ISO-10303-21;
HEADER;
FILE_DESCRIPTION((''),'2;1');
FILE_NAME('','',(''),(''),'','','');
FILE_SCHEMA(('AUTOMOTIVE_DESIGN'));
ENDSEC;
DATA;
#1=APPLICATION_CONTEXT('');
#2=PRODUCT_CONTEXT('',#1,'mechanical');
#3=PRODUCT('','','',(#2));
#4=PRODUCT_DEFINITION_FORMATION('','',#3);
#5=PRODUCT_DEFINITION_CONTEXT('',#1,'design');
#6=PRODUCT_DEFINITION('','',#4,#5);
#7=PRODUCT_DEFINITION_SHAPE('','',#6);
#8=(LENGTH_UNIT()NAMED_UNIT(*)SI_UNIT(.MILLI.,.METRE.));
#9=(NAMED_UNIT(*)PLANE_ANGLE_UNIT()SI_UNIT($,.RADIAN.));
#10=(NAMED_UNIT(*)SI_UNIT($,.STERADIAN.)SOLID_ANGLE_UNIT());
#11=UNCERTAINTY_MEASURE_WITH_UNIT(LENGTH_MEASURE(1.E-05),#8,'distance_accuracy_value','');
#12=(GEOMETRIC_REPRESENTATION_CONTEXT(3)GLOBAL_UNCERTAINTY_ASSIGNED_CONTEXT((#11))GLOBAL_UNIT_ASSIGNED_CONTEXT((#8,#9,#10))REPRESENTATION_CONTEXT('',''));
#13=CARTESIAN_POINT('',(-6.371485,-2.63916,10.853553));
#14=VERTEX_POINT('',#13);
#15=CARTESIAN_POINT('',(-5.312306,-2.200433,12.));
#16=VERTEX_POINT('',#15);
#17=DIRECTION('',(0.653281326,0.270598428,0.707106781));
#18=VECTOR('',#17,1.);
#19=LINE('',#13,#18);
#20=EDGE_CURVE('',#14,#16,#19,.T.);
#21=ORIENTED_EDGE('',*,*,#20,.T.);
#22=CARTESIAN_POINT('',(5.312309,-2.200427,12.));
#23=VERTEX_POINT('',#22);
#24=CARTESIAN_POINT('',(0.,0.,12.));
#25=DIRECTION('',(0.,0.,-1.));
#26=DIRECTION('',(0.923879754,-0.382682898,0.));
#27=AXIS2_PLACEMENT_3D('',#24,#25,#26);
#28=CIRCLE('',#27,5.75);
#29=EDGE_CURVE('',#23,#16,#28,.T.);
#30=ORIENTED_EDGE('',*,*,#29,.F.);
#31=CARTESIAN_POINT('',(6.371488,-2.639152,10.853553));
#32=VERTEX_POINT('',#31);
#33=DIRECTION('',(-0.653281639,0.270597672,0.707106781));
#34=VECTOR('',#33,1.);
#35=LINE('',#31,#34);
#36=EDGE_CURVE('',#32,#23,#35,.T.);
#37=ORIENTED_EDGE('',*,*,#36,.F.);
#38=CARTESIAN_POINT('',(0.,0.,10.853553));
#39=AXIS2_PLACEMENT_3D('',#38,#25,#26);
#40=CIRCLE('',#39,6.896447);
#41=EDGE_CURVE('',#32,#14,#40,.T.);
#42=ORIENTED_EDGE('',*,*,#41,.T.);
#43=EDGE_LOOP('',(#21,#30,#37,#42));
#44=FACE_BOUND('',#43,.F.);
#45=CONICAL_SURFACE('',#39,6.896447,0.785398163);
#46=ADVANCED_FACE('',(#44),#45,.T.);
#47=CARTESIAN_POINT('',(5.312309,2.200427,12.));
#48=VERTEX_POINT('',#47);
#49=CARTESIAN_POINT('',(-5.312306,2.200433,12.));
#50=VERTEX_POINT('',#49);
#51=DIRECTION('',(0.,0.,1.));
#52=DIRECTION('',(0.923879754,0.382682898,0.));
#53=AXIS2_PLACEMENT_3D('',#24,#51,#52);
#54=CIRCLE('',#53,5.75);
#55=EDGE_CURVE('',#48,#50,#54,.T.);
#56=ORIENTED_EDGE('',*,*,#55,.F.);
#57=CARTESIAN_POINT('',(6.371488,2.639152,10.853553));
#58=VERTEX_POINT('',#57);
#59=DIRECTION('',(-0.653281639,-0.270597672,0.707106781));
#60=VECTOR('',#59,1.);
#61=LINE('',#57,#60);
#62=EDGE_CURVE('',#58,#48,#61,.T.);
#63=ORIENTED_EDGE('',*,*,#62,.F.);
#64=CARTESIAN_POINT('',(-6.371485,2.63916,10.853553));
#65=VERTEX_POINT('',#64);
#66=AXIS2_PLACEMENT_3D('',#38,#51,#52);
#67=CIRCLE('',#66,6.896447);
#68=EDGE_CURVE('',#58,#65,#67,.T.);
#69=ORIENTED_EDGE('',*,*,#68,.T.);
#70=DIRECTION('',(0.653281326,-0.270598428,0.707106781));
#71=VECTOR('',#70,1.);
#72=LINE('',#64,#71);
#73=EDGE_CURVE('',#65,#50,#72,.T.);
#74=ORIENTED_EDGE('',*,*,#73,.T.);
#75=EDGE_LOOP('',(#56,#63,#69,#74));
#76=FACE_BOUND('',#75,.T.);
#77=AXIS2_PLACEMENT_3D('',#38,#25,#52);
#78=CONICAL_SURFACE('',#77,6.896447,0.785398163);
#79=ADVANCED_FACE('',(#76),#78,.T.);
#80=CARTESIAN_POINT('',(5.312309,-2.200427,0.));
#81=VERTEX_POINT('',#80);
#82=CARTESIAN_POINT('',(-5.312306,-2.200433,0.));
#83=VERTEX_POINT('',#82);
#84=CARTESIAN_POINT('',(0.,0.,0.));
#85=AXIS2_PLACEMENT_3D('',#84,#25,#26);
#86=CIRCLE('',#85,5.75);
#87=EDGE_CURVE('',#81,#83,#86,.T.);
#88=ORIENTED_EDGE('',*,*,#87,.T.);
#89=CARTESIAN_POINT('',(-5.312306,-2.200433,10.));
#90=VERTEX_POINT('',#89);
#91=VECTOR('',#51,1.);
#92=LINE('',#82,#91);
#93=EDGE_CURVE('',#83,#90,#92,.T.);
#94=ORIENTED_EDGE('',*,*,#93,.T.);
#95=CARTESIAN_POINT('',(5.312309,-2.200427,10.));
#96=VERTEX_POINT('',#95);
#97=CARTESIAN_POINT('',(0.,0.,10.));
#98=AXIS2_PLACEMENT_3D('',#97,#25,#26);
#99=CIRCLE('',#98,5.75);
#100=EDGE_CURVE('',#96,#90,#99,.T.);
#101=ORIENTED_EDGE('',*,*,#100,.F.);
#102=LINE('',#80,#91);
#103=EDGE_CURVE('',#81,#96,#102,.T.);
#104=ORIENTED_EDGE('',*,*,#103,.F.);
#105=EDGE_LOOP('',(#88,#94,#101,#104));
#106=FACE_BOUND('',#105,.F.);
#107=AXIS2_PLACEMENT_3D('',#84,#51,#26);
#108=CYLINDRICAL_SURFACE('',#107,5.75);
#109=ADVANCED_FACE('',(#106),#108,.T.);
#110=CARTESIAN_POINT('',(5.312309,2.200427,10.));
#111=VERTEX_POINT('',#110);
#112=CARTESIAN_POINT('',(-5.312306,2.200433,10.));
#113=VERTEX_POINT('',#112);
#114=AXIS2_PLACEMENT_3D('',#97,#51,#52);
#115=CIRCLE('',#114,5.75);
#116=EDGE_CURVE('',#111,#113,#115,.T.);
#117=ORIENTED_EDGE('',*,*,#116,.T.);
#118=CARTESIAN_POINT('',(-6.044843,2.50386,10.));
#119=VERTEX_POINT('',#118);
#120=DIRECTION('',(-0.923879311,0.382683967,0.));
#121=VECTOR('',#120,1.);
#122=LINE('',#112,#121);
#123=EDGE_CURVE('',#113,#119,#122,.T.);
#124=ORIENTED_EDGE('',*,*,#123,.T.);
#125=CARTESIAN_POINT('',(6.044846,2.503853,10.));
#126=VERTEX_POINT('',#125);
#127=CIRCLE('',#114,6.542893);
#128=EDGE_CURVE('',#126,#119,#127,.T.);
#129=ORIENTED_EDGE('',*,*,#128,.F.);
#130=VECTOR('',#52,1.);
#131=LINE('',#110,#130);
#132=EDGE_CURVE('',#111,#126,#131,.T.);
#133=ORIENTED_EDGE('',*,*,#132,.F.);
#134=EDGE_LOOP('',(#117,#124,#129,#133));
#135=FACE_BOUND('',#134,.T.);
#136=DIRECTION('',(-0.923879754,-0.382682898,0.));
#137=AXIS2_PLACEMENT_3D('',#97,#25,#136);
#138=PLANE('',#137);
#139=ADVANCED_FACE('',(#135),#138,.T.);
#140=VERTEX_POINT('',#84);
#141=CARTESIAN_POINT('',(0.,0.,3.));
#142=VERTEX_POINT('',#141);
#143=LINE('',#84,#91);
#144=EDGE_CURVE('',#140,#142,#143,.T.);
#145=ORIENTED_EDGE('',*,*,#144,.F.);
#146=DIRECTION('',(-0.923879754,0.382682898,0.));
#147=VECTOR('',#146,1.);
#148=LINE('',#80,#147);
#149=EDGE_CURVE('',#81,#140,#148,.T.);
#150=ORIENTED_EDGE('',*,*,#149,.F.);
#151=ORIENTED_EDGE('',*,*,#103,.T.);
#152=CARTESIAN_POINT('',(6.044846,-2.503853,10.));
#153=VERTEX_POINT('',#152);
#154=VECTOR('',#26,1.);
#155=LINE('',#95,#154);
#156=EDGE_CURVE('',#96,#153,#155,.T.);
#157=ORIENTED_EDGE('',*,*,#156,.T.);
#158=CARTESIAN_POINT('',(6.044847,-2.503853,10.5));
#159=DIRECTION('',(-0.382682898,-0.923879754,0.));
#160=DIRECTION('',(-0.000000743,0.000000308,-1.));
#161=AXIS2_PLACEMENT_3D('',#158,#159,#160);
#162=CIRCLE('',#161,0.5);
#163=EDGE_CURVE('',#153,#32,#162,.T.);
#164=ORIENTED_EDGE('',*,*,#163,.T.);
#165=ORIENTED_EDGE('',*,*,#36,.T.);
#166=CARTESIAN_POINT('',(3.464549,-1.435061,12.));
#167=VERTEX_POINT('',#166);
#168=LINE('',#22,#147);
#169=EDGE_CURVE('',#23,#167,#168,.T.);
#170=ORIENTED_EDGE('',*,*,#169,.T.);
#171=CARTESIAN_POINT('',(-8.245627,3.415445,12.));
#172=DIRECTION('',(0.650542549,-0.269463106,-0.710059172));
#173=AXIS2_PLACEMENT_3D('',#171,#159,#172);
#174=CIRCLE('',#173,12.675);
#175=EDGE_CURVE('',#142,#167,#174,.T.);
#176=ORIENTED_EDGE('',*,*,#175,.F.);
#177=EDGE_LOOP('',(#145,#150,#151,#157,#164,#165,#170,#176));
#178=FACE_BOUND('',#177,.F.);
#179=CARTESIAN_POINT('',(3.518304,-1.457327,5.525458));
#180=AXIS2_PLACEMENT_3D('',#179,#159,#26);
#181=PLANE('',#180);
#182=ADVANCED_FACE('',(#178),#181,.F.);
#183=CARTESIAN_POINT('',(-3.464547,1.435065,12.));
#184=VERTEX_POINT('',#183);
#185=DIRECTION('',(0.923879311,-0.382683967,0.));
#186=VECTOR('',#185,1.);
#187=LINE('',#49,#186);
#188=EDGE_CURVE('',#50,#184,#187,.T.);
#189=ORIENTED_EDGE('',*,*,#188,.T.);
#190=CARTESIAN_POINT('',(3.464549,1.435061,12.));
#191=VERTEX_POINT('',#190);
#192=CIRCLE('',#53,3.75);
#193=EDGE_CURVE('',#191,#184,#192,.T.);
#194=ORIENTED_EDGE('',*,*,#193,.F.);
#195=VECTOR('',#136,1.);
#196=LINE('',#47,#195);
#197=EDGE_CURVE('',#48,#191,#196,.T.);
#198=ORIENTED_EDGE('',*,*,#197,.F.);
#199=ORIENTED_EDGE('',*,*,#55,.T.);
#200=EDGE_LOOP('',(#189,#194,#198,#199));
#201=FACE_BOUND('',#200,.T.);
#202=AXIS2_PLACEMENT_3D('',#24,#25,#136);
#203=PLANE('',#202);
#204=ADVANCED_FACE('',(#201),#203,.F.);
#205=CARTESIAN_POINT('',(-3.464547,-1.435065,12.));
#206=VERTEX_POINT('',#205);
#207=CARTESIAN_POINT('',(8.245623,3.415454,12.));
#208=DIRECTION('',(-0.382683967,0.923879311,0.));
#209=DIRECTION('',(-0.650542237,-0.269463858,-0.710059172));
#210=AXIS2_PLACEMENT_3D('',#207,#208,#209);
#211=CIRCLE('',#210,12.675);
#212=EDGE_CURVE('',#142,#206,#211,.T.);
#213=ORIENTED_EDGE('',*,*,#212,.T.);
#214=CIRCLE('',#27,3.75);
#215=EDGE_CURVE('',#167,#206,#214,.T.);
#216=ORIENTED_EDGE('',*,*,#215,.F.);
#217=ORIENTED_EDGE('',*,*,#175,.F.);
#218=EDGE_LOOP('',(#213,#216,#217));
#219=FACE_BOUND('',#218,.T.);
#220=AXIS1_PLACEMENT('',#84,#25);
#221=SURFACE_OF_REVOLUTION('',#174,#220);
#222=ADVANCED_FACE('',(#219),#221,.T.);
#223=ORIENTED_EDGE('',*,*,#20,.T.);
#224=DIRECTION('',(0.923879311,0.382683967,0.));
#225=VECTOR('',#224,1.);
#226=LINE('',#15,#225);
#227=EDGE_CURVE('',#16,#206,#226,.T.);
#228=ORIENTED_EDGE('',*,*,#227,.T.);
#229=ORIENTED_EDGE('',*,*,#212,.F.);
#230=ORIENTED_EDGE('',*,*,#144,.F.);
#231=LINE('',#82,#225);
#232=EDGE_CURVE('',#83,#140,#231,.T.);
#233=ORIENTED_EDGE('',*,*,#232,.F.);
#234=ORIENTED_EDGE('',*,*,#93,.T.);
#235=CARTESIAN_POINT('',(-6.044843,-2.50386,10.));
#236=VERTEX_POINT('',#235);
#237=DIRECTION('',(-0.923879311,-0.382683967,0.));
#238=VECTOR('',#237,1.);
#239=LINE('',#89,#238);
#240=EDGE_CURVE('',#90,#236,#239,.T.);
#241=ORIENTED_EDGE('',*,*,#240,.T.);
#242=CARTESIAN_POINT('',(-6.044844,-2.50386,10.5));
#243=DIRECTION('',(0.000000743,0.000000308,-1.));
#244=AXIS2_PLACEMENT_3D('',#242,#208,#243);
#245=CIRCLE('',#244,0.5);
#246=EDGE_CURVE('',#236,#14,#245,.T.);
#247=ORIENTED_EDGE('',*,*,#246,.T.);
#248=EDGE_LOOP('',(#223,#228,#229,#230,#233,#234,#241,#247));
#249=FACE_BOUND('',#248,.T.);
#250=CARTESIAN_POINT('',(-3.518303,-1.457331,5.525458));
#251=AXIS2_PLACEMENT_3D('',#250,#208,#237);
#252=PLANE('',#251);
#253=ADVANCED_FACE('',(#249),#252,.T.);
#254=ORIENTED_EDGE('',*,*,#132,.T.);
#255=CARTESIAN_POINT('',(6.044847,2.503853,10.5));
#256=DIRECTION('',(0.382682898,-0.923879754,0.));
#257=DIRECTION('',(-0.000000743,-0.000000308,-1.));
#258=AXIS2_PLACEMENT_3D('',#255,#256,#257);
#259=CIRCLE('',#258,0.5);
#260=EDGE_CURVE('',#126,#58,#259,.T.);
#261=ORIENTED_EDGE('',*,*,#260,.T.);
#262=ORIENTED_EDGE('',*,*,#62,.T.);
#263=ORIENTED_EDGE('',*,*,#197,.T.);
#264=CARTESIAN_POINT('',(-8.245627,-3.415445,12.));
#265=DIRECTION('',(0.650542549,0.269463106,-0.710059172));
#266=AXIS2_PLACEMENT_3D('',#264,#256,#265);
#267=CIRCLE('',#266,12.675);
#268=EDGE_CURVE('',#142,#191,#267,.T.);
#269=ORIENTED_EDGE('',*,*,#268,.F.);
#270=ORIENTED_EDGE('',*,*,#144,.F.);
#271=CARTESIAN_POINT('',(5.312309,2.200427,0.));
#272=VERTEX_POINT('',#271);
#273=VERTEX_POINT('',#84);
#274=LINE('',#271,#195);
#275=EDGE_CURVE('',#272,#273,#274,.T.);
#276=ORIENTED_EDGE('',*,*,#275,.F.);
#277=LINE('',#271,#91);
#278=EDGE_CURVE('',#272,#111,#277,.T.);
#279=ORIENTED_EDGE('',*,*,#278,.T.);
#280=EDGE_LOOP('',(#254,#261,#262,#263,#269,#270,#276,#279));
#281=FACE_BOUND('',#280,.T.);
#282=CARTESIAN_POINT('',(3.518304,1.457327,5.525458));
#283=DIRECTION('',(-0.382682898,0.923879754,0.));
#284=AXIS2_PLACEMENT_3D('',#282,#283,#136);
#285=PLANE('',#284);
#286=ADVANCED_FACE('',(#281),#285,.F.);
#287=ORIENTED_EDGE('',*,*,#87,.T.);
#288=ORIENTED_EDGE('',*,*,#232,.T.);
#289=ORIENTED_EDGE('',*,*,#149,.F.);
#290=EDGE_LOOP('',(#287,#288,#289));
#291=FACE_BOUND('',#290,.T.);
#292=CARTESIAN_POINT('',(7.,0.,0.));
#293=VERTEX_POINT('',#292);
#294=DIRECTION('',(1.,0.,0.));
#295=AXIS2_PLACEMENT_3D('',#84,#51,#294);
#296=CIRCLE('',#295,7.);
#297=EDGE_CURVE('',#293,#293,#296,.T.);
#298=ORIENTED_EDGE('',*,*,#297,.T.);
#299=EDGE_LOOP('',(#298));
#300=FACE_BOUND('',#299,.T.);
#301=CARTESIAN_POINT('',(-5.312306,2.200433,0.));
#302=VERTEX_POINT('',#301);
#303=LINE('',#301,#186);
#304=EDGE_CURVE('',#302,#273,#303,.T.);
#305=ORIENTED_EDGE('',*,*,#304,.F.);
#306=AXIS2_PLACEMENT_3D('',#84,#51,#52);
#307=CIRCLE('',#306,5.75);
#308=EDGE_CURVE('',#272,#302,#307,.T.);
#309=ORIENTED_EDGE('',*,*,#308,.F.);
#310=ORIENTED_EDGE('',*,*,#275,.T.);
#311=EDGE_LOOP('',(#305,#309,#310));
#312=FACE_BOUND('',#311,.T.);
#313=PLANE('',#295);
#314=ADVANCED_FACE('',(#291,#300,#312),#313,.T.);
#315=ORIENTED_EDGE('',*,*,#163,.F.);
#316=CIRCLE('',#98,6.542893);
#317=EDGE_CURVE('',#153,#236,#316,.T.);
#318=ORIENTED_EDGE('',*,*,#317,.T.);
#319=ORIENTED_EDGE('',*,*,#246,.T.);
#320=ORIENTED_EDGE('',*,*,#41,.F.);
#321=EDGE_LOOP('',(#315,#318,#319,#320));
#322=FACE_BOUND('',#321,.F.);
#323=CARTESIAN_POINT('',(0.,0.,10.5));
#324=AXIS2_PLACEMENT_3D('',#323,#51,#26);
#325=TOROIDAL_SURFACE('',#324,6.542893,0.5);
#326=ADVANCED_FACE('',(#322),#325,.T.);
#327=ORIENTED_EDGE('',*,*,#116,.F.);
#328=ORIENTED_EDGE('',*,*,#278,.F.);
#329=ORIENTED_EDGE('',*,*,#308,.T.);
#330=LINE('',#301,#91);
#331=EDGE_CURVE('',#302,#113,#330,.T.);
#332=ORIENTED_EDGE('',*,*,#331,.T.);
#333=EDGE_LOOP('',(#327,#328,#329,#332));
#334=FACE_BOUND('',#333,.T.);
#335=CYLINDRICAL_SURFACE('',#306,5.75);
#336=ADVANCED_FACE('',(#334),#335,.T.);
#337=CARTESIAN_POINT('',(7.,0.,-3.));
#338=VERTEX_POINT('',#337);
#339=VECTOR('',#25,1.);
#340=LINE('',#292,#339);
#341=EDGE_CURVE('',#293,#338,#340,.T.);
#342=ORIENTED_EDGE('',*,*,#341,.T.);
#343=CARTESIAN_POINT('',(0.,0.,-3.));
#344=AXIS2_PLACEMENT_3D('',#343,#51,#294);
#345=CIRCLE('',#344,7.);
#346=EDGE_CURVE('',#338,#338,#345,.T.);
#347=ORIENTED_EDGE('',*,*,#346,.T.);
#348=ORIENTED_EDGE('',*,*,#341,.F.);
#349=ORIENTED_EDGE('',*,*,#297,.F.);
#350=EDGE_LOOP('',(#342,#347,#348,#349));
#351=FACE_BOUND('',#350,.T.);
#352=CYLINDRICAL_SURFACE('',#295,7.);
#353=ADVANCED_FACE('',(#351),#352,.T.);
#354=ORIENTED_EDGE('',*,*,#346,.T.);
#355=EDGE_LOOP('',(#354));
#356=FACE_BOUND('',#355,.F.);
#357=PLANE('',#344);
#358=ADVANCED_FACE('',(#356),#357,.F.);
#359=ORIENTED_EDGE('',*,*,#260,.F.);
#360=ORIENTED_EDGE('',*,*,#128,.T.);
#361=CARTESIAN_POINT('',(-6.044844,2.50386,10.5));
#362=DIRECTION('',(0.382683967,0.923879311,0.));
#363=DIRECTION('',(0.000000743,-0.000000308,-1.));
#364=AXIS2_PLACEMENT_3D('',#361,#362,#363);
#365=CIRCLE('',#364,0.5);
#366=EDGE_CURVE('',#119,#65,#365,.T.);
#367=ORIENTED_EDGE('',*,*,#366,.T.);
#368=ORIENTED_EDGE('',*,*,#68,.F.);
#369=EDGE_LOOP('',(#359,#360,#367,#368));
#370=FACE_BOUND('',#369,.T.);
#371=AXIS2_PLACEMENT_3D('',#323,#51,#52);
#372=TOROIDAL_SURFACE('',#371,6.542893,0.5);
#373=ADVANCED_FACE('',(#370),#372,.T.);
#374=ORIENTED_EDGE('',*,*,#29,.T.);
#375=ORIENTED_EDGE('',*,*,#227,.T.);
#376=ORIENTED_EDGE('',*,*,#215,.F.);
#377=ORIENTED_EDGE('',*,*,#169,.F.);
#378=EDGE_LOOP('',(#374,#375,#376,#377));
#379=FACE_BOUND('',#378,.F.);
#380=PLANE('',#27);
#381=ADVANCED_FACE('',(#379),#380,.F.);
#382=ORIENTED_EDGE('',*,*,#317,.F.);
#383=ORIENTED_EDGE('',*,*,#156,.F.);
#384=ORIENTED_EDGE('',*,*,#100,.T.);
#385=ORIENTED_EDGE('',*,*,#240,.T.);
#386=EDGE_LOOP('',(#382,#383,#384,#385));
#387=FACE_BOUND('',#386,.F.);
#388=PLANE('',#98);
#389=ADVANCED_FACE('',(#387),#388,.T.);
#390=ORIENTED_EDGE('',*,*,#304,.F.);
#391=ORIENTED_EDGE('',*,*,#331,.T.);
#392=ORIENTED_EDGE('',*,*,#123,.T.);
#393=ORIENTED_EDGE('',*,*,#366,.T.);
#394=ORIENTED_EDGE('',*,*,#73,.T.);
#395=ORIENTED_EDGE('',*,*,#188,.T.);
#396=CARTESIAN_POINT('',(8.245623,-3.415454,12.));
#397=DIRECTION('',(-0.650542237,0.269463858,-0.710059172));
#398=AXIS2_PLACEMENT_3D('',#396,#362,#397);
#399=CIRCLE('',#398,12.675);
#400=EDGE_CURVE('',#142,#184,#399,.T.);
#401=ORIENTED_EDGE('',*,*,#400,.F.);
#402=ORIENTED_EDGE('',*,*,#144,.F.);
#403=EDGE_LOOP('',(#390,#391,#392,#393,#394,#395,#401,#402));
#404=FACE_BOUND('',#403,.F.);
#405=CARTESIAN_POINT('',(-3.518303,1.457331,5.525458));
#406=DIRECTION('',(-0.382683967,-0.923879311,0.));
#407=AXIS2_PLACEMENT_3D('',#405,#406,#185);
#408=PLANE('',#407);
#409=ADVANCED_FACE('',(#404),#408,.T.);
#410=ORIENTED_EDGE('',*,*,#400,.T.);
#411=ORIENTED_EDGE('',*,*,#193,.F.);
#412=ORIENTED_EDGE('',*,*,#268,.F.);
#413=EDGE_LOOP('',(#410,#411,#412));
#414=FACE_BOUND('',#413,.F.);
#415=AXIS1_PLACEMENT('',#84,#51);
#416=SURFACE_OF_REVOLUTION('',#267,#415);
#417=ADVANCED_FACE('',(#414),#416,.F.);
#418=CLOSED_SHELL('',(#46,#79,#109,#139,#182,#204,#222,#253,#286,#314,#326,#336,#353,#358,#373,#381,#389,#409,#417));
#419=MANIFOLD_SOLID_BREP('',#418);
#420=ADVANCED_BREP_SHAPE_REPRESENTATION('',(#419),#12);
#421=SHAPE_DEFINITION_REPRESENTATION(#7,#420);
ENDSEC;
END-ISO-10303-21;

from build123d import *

# Parameters (mm, degrees)
SKETCH008_R         = 7
PAD002_DEPTH        = 3
REVOLUTION001_ANGLE = -135


with BuildPart() as part:
    # Sketch008 → Pad002 (new body)
    with BuildSketch(Plane.XY):
        Circle(SKETCH008_R)
    extrude(amount=-PAD002_DEPTH)

    # Sketch007 → Revolution001 (revolve)
    with BuildSketch(Plane(origin=(0, 0, 0), x_dir=(0.92388, -0.382683, 0), z_dir=(-0.382683, -0.92388, 0))):
        with BuildLine():
            Line((5.75, 0), (5.75, 10))
            Line((5.75, 10), (6.542893, 10))
            ThreePointArc((6.542893, 10), (7.004833, 10.308658), (6.896447, 10.853553))
            Line((6.896447, 10.853553), (5.75, 12))
            Line((5.75, 12), (3.75, 12))
            ThreePointArc((0, 3), (2.775, 7.125), (3.75, 12))
            Line((0, 0), (0, 3))
            Line((5.75, 0), (0, 0))
        make_face()
    revolution001 = revolve(axis=Axis((0, 0, 0), (0, 0, 1)), revolution_arc=REVOLUTION001_ANGLE)

    # Mirrored001: Revolution001 across XZ
    add(revolution001.mirror(Plane.XZ))


solid = part.part
